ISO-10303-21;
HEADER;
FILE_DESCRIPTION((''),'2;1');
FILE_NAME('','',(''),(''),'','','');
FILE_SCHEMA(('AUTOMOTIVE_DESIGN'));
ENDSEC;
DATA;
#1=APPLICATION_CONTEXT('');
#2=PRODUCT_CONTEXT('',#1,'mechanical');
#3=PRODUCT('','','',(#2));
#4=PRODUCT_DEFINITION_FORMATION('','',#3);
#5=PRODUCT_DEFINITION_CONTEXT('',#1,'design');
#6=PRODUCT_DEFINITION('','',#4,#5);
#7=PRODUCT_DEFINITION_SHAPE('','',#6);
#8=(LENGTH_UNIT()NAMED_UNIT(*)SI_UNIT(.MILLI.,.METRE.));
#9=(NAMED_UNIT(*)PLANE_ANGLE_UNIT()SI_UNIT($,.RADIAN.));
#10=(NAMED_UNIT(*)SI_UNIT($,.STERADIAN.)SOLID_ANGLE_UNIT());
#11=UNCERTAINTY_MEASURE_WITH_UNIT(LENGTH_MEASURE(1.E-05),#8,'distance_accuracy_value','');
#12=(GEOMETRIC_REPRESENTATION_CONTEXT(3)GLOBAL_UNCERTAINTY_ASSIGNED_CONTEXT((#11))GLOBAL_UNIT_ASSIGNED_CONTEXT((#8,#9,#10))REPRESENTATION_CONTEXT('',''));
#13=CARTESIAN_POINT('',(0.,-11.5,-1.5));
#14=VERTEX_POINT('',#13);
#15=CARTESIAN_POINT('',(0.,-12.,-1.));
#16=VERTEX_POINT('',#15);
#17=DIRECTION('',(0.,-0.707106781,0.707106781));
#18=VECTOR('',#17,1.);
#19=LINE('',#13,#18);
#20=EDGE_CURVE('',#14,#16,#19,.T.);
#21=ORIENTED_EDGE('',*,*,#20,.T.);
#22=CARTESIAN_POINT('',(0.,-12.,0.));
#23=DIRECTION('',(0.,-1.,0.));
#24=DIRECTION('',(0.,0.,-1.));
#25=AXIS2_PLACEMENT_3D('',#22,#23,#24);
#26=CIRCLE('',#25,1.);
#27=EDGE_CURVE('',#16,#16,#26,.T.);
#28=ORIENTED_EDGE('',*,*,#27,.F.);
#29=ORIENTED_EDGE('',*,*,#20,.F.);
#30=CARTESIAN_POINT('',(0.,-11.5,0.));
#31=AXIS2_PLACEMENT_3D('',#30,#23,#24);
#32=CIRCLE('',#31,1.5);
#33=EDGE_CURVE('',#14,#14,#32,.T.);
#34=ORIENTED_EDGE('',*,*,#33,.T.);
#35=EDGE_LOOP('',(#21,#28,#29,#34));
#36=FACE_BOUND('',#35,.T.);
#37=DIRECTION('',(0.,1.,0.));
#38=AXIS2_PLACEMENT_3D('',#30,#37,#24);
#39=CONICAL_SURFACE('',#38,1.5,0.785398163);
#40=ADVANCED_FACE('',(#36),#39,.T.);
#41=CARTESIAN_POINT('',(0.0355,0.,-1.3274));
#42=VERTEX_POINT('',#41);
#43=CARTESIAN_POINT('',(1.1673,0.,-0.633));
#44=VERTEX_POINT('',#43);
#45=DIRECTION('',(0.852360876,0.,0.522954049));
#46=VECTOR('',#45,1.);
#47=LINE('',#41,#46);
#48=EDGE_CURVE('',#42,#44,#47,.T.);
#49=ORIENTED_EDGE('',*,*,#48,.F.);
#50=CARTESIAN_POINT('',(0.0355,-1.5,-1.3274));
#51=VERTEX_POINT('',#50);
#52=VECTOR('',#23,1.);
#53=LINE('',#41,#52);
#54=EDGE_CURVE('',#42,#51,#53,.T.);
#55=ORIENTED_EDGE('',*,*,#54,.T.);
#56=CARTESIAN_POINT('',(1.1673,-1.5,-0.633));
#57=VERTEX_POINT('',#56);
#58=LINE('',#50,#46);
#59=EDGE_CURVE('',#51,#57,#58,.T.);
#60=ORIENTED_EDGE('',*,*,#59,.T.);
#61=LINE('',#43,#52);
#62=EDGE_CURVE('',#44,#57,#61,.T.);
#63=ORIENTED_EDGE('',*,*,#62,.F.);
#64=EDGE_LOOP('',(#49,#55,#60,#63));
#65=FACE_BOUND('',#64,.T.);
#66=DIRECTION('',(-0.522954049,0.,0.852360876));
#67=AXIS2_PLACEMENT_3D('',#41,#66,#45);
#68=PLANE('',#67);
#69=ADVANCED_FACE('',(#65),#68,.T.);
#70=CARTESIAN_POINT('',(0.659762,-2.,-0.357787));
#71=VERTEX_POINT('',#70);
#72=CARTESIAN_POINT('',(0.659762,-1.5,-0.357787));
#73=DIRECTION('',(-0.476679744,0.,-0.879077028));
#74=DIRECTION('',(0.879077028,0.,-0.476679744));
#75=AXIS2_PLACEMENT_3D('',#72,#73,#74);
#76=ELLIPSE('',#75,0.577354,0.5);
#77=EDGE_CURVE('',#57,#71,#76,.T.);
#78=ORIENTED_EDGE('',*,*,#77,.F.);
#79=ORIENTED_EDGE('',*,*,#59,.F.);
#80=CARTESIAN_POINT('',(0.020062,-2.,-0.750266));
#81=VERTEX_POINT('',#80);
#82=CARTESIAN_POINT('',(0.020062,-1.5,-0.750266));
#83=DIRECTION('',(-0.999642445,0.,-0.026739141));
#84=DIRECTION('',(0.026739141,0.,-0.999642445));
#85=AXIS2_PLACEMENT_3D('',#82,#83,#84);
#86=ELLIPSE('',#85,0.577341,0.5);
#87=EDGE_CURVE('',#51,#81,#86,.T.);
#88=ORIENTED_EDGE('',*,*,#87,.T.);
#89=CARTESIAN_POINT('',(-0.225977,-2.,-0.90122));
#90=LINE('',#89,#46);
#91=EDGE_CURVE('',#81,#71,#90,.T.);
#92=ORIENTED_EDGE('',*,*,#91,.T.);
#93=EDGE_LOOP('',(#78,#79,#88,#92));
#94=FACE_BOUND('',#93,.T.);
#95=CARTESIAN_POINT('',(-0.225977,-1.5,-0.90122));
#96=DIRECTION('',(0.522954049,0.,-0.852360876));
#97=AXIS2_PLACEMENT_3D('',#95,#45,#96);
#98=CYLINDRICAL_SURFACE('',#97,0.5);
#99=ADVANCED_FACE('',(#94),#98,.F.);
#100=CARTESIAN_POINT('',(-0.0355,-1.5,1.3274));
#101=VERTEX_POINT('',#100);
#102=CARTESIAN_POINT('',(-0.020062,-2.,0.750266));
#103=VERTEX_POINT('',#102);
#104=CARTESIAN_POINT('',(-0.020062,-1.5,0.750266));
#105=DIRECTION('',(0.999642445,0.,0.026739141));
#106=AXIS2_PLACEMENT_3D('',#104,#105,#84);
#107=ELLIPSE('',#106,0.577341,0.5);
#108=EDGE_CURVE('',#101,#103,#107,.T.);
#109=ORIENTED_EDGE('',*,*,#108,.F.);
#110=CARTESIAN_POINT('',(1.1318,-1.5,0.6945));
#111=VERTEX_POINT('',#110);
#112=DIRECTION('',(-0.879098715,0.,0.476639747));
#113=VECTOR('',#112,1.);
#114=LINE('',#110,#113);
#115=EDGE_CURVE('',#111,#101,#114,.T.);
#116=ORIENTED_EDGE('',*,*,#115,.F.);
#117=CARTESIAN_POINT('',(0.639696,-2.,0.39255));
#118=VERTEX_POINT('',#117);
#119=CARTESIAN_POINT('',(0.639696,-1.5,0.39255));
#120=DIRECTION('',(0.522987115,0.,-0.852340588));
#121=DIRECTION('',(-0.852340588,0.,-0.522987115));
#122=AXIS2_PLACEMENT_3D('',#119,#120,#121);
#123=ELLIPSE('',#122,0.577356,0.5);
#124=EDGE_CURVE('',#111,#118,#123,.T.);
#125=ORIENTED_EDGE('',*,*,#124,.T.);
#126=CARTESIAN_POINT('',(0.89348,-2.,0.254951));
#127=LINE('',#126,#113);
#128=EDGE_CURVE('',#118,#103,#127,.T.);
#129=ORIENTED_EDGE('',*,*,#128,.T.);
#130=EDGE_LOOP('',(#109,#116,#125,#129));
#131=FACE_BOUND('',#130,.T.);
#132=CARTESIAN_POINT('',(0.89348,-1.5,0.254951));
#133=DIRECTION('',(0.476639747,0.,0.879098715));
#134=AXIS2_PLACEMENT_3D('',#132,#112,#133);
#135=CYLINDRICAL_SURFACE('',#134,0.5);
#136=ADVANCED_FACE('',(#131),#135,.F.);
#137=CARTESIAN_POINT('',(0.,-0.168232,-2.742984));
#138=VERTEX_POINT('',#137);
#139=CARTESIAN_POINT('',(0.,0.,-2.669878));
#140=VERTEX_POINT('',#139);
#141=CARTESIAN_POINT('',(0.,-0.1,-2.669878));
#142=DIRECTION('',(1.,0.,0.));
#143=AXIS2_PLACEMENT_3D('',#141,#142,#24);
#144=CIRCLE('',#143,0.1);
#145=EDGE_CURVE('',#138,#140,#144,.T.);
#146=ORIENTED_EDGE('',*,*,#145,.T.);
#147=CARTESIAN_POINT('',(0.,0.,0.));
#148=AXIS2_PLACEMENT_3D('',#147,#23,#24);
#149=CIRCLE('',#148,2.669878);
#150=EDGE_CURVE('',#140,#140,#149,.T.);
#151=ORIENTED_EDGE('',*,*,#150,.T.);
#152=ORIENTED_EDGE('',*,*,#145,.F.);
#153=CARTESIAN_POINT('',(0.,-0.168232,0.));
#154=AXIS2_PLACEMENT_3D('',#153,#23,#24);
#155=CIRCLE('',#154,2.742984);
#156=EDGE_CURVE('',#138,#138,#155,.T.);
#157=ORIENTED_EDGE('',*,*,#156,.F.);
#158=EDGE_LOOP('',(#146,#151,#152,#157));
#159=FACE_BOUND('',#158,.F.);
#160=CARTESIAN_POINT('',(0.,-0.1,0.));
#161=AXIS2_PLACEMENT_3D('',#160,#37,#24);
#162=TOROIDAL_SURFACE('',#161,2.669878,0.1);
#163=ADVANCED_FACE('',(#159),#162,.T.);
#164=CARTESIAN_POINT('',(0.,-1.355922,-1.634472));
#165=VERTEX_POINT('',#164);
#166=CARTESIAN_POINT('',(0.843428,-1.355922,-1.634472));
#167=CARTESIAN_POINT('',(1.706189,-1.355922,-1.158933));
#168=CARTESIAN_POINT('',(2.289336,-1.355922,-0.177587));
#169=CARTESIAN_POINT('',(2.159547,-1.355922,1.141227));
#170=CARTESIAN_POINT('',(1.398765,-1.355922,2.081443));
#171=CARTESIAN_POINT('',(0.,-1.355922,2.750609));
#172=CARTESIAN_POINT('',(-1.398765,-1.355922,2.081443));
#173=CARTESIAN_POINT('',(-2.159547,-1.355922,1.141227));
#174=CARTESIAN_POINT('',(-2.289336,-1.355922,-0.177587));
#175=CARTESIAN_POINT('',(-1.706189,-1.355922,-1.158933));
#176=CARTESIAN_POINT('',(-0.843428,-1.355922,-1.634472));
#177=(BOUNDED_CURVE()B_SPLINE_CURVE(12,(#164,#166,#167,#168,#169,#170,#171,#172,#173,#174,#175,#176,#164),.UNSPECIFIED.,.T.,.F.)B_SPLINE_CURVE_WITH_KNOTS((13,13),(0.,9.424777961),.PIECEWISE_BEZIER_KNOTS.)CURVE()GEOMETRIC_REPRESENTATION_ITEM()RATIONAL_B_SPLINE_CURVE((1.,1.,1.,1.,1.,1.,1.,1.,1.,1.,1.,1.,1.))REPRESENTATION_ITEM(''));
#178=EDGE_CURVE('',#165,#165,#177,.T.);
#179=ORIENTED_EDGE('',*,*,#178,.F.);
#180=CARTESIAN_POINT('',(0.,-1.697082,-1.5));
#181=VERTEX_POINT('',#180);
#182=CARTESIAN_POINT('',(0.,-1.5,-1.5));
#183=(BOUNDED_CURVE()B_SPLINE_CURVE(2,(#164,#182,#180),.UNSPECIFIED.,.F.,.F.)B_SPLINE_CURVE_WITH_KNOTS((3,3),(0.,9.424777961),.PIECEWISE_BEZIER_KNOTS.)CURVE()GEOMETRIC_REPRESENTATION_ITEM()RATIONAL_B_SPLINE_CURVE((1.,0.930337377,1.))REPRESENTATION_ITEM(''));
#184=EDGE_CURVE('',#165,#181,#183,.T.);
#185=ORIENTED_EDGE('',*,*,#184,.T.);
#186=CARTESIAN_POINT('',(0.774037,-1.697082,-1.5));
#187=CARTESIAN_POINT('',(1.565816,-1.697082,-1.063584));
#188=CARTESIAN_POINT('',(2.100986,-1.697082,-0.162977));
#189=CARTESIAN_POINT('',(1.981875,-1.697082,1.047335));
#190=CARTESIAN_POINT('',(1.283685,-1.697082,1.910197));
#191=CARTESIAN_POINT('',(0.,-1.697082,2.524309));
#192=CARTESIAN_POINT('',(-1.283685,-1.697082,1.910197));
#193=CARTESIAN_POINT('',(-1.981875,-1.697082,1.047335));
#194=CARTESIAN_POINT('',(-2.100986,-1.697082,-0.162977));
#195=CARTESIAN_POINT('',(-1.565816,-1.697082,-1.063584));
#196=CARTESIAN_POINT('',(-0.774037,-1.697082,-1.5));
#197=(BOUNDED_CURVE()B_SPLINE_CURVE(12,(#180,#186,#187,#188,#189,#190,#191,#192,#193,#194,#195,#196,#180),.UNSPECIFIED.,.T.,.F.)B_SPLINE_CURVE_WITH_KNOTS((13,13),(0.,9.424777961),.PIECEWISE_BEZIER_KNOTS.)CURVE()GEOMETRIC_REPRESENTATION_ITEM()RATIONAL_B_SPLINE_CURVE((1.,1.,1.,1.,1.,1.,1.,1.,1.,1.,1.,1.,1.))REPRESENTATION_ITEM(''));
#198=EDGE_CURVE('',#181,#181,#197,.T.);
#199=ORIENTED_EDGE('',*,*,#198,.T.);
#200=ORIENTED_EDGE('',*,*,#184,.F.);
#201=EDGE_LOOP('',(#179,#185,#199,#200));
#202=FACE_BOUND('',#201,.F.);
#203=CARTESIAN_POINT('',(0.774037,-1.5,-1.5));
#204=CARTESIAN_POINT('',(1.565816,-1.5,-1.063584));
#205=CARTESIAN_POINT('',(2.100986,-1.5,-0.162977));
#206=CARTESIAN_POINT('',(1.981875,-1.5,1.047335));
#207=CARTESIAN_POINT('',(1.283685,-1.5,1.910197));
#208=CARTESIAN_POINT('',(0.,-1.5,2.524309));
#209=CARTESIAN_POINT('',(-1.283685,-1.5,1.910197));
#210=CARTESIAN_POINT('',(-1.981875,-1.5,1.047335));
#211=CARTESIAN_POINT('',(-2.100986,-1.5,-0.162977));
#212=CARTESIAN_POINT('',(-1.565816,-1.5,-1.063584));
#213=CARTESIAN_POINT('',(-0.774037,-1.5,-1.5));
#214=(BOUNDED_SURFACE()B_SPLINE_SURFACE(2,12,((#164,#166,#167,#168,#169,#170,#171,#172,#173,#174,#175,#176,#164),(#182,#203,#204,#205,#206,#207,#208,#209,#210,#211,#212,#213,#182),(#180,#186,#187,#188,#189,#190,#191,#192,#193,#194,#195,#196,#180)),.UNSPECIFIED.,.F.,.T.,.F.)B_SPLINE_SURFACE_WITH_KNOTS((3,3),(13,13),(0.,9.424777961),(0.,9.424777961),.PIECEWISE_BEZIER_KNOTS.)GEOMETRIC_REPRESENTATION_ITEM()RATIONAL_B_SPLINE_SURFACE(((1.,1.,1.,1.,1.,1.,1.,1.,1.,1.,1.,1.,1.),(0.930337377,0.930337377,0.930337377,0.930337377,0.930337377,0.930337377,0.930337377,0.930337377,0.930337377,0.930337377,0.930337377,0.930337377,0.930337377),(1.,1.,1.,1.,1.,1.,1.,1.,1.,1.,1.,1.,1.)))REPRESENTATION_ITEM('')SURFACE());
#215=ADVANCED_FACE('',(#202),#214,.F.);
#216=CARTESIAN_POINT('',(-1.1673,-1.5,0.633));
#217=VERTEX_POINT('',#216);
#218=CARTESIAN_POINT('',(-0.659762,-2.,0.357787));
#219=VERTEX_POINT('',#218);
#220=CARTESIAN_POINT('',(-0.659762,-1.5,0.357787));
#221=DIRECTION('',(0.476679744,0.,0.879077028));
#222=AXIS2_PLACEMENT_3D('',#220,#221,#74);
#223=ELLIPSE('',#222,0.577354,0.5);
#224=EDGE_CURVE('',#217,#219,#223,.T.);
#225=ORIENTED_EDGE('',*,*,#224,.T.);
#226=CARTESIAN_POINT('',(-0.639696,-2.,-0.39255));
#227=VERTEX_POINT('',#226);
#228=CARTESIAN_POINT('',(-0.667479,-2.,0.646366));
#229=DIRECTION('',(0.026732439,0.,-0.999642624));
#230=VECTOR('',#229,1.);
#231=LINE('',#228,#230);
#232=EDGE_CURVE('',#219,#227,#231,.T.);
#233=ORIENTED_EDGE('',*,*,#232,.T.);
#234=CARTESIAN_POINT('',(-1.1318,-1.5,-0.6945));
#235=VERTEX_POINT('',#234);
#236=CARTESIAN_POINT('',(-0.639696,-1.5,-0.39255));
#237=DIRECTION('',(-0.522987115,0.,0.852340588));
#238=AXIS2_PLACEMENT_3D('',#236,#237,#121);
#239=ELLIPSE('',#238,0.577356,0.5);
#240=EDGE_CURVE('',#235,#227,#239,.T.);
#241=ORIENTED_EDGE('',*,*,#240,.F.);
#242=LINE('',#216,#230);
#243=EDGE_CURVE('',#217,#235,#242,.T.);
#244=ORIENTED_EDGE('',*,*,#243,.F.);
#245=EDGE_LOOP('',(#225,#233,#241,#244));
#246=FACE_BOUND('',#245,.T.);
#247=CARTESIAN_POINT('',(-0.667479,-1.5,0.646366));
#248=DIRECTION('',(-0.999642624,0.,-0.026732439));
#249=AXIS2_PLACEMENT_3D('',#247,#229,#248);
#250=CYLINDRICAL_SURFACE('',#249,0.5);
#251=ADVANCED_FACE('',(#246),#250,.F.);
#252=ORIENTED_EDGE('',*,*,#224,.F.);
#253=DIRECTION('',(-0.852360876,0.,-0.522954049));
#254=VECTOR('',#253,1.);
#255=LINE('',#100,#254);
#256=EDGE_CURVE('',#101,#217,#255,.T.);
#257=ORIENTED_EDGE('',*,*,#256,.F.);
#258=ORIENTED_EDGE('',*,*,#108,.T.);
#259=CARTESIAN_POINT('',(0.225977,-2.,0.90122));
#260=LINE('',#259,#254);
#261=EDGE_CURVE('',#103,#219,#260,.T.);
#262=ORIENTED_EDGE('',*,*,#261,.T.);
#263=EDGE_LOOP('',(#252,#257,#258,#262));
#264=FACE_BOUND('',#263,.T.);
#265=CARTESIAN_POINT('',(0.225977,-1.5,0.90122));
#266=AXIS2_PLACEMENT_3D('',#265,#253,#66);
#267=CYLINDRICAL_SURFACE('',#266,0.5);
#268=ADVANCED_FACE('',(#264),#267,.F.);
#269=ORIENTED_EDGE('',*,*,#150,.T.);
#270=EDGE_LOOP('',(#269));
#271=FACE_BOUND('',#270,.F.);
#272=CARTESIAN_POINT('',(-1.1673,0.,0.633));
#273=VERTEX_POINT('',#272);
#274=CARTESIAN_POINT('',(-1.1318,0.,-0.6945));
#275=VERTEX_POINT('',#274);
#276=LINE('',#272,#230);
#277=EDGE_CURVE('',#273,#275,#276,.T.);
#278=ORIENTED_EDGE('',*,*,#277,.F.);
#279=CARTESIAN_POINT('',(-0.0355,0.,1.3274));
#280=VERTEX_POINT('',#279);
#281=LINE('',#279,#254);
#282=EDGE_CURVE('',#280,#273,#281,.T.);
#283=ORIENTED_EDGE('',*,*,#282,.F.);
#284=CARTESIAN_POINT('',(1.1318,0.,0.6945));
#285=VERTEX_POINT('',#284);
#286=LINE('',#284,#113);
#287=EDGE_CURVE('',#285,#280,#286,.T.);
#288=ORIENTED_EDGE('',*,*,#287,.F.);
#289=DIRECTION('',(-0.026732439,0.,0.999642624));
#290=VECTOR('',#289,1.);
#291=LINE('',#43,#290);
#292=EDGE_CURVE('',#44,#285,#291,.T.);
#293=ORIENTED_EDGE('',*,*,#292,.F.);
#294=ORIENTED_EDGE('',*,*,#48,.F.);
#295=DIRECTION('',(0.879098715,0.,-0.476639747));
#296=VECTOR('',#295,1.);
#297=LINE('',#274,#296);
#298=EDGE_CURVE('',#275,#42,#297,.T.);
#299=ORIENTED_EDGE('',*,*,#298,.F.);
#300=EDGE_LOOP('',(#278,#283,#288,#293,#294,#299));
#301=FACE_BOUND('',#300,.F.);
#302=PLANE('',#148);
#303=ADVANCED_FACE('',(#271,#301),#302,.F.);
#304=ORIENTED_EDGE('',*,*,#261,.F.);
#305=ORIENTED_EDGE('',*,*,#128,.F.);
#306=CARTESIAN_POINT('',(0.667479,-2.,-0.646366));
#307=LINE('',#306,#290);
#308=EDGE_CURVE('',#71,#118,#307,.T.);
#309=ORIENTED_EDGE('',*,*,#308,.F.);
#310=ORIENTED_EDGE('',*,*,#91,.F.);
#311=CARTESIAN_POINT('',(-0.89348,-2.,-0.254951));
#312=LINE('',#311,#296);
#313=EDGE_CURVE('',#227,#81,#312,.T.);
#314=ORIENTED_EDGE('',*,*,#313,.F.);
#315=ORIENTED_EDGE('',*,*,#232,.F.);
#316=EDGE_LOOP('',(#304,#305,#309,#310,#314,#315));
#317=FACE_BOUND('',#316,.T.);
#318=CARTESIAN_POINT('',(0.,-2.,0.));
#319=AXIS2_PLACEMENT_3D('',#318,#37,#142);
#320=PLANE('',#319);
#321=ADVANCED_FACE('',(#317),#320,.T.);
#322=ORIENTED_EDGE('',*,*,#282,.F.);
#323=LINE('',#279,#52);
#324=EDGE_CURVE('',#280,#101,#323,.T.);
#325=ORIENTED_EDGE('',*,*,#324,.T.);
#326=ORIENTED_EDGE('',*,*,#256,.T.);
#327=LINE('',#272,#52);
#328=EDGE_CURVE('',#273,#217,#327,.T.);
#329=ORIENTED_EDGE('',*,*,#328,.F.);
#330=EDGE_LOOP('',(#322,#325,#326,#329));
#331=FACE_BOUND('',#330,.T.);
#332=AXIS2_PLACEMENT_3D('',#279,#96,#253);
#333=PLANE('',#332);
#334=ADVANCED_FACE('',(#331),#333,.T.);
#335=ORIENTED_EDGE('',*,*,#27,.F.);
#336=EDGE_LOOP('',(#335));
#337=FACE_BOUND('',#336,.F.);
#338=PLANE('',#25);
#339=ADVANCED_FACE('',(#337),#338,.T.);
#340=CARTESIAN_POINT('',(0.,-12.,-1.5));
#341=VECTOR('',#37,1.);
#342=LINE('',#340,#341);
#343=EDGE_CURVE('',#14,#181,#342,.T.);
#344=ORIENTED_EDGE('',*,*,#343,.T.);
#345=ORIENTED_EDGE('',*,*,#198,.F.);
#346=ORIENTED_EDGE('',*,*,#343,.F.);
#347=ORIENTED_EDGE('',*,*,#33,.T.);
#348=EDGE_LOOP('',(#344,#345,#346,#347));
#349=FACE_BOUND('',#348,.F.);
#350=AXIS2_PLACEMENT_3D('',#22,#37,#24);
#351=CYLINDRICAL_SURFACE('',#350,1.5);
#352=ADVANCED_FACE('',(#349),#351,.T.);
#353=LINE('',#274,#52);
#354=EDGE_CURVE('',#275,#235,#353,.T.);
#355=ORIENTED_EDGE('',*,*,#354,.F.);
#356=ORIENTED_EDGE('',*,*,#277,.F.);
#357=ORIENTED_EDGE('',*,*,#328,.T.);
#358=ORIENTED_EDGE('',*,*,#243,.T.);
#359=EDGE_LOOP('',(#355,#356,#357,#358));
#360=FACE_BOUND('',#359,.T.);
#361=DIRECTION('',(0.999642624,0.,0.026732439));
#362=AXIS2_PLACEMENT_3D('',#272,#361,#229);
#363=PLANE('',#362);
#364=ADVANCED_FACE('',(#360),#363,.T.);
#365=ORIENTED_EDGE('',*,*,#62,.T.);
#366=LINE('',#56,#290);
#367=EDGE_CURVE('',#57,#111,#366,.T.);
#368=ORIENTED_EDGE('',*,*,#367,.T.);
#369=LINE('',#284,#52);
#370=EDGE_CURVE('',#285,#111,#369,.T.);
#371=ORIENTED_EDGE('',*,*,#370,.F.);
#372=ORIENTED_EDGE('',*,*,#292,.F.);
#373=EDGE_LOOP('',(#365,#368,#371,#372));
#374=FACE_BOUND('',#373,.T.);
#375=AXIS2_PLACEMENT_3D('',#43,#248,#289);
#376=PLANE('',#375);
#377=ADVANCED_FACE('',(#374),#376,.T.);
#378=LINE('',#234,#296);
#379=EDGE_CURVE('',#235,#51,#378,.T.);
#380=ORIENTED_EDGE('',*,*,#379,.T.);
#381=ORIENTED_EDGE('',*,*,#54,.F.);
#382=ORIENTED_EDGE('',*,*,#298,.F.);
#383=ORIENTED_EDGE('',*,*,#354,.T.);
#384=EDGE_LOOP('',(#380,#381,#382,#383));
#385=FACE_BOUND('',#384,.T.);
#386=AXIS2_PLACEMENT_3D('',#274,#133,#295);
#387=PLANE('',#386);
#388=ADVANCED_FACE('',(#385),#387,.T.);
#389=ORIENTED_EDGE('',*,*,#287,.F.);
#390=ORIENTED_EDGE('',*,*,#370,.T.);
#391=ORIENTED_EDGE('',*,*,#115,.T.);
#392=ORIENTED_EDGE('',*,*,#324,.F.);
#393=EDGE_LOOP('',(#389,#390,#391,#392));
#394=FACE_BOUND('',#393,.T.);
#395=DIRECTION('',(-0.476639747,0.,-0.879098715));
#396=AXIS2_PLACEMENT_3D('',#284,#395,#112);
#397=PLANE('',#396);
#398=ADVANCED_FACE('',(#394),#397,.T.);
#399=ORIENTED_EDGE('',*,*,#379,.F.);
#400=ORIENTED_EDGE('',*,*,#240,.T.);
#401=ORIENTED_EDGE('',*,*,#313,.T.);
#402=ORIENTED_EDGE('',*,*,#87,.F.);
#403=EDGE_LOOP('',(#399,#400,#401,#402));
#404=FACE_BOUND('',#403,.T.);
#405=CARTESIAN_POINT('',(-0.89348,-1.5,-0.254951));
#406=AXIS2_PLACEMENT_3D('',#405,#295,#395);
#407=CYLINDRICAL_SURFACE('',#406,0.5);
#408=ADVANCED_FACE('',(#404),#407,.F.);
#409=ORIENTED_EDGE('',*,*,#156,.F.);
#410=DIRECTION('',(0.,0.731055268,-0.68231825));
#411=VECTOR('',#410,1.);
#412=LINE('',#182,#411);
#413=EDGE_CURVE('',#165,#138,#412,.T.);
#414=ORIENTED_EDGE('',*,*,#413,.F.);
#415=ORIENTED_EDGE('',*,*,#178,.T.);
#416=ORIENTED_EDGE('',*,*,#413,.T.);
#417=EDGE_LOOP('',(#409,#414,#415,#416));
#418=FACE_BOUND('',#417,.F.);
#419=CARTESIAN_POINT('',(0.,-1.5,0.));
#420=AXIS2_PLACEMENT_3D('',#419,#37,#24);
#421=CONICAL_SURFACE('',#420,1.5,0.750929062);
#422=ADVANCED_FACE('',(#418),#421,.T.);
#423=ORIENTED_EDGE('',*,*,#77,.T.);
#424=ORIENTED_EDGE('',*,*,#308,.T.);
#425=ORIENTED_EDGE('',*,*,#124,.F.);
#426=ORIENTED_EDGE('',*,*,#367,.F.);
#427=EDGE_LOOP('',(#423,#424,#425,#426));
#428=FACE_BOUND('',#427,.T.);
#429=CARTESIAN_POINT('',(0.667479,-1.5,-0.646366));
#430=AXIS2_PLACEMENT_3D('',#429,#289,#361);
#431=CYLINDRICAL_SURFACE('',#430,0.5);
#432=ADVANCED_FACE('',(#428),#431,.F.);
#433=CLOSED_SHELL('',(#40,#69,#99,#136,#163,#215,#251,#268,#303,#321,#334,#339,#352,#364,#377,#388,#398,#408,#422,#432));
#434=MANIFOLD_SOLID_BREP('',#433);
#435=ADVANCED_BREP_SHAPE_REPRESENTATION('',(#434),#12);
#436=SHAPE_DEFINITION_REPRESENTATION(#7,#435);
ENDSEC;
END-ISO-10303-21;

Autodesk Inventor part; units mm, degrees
ref_plane "YZ Plane" through (0, 0, 0) normal (1, 0, 0) x (0, 1, 0)
ref_plane "XZ Plane" through (0, 0, 0) normal (0, 1, 0) x (-1, 0, 0)
ref_plane "XY Plane" through (0, 0, 0) normal (0, 0, 1) x (1, 0, 0)
sketch "Szkic2" plane through (0, 0, 0) normal (1, 0, 0) x (0, 1, 0)
  line L0 (0, -2.9) -> (0, 2.9)
  line L1 (-1.5, -1.5) -> (-1.5, 1.5)
  line L2 (-1.5, -1.5) -> (0, -2.9)
  line L3 (-1.5, 1.5) -> (0, 2.9)
  line L4 (0, 0) -> (-12, 0)
  line L5 (-12, 0) -> (-12, -1.5)
  line L6 (-12, -1.5) -> (-1.5, -1.5)
  dimension "d0" = 5.8
  dimension "d2" = 3
  dimension "d3" = 1.5
  dimension "d4" = 12
  dimension "d5" = 1.5
revolve "Obrót1" add sketch "Szkic2" angle 360 about axis through (0, 0, 0) along (0, -1, 0) contours L2 L1 L4 L0 | L6 L5 L4 L1
sketch "Szkic3" plane through (0, 0, 0) normal (0, 1, 0) x (1, 0, 0)
  line L0 (-1.1673, -0.633) -> (-1.1318, 0.6945)
  line L1 (-1.1318, 0.6945) -> (0.0355, 1.3274)
  line L2 (0.0355, 1.3274) -> (1.1673, 0.633)
  line L3 (1.1673, 0.633) -> (1.1318, -0.6945)
  line L4 (1.1318, -0.6945) -> (-0.0355, -1.3274)
  line L5 (-0.0355, -1.3274) -> (-1.1673, -0.633)
  point P0 (0, 0)
  point P1 (0, 0)
  dimension "d7" = 2.3
extrude "Wyciągnięcie proste1" cut sketch "Szkic3" against normal blind 2
fillet "Zaokrąglenie1" radius 0.5 6 edges at (-1.1496, -2, -0.0308) (-0.6014, -2, 0.9802) (-0.5482, -2, -1.011) (0.6014, -2, -0.9802) (0.5482, -2, 1.011) (1.1496, -2, 0.0308)
fillet "Zaokrąglenie2" radius 0.5 1 edges at (0, -1.5, 1.5)
fillet "Zaokrąglenie3" radius 0.1 1 edges at (0, 0, 2.9)
thread "Gwint1" size "M3x0.5" class "6g" standard "ANSI Metric M Profile" full length
chamfer "Faza1" distance 0.5 angle 45 1 edges at (0, -12, 1.5)
properties part number "Screw M3 12mm flat head"
